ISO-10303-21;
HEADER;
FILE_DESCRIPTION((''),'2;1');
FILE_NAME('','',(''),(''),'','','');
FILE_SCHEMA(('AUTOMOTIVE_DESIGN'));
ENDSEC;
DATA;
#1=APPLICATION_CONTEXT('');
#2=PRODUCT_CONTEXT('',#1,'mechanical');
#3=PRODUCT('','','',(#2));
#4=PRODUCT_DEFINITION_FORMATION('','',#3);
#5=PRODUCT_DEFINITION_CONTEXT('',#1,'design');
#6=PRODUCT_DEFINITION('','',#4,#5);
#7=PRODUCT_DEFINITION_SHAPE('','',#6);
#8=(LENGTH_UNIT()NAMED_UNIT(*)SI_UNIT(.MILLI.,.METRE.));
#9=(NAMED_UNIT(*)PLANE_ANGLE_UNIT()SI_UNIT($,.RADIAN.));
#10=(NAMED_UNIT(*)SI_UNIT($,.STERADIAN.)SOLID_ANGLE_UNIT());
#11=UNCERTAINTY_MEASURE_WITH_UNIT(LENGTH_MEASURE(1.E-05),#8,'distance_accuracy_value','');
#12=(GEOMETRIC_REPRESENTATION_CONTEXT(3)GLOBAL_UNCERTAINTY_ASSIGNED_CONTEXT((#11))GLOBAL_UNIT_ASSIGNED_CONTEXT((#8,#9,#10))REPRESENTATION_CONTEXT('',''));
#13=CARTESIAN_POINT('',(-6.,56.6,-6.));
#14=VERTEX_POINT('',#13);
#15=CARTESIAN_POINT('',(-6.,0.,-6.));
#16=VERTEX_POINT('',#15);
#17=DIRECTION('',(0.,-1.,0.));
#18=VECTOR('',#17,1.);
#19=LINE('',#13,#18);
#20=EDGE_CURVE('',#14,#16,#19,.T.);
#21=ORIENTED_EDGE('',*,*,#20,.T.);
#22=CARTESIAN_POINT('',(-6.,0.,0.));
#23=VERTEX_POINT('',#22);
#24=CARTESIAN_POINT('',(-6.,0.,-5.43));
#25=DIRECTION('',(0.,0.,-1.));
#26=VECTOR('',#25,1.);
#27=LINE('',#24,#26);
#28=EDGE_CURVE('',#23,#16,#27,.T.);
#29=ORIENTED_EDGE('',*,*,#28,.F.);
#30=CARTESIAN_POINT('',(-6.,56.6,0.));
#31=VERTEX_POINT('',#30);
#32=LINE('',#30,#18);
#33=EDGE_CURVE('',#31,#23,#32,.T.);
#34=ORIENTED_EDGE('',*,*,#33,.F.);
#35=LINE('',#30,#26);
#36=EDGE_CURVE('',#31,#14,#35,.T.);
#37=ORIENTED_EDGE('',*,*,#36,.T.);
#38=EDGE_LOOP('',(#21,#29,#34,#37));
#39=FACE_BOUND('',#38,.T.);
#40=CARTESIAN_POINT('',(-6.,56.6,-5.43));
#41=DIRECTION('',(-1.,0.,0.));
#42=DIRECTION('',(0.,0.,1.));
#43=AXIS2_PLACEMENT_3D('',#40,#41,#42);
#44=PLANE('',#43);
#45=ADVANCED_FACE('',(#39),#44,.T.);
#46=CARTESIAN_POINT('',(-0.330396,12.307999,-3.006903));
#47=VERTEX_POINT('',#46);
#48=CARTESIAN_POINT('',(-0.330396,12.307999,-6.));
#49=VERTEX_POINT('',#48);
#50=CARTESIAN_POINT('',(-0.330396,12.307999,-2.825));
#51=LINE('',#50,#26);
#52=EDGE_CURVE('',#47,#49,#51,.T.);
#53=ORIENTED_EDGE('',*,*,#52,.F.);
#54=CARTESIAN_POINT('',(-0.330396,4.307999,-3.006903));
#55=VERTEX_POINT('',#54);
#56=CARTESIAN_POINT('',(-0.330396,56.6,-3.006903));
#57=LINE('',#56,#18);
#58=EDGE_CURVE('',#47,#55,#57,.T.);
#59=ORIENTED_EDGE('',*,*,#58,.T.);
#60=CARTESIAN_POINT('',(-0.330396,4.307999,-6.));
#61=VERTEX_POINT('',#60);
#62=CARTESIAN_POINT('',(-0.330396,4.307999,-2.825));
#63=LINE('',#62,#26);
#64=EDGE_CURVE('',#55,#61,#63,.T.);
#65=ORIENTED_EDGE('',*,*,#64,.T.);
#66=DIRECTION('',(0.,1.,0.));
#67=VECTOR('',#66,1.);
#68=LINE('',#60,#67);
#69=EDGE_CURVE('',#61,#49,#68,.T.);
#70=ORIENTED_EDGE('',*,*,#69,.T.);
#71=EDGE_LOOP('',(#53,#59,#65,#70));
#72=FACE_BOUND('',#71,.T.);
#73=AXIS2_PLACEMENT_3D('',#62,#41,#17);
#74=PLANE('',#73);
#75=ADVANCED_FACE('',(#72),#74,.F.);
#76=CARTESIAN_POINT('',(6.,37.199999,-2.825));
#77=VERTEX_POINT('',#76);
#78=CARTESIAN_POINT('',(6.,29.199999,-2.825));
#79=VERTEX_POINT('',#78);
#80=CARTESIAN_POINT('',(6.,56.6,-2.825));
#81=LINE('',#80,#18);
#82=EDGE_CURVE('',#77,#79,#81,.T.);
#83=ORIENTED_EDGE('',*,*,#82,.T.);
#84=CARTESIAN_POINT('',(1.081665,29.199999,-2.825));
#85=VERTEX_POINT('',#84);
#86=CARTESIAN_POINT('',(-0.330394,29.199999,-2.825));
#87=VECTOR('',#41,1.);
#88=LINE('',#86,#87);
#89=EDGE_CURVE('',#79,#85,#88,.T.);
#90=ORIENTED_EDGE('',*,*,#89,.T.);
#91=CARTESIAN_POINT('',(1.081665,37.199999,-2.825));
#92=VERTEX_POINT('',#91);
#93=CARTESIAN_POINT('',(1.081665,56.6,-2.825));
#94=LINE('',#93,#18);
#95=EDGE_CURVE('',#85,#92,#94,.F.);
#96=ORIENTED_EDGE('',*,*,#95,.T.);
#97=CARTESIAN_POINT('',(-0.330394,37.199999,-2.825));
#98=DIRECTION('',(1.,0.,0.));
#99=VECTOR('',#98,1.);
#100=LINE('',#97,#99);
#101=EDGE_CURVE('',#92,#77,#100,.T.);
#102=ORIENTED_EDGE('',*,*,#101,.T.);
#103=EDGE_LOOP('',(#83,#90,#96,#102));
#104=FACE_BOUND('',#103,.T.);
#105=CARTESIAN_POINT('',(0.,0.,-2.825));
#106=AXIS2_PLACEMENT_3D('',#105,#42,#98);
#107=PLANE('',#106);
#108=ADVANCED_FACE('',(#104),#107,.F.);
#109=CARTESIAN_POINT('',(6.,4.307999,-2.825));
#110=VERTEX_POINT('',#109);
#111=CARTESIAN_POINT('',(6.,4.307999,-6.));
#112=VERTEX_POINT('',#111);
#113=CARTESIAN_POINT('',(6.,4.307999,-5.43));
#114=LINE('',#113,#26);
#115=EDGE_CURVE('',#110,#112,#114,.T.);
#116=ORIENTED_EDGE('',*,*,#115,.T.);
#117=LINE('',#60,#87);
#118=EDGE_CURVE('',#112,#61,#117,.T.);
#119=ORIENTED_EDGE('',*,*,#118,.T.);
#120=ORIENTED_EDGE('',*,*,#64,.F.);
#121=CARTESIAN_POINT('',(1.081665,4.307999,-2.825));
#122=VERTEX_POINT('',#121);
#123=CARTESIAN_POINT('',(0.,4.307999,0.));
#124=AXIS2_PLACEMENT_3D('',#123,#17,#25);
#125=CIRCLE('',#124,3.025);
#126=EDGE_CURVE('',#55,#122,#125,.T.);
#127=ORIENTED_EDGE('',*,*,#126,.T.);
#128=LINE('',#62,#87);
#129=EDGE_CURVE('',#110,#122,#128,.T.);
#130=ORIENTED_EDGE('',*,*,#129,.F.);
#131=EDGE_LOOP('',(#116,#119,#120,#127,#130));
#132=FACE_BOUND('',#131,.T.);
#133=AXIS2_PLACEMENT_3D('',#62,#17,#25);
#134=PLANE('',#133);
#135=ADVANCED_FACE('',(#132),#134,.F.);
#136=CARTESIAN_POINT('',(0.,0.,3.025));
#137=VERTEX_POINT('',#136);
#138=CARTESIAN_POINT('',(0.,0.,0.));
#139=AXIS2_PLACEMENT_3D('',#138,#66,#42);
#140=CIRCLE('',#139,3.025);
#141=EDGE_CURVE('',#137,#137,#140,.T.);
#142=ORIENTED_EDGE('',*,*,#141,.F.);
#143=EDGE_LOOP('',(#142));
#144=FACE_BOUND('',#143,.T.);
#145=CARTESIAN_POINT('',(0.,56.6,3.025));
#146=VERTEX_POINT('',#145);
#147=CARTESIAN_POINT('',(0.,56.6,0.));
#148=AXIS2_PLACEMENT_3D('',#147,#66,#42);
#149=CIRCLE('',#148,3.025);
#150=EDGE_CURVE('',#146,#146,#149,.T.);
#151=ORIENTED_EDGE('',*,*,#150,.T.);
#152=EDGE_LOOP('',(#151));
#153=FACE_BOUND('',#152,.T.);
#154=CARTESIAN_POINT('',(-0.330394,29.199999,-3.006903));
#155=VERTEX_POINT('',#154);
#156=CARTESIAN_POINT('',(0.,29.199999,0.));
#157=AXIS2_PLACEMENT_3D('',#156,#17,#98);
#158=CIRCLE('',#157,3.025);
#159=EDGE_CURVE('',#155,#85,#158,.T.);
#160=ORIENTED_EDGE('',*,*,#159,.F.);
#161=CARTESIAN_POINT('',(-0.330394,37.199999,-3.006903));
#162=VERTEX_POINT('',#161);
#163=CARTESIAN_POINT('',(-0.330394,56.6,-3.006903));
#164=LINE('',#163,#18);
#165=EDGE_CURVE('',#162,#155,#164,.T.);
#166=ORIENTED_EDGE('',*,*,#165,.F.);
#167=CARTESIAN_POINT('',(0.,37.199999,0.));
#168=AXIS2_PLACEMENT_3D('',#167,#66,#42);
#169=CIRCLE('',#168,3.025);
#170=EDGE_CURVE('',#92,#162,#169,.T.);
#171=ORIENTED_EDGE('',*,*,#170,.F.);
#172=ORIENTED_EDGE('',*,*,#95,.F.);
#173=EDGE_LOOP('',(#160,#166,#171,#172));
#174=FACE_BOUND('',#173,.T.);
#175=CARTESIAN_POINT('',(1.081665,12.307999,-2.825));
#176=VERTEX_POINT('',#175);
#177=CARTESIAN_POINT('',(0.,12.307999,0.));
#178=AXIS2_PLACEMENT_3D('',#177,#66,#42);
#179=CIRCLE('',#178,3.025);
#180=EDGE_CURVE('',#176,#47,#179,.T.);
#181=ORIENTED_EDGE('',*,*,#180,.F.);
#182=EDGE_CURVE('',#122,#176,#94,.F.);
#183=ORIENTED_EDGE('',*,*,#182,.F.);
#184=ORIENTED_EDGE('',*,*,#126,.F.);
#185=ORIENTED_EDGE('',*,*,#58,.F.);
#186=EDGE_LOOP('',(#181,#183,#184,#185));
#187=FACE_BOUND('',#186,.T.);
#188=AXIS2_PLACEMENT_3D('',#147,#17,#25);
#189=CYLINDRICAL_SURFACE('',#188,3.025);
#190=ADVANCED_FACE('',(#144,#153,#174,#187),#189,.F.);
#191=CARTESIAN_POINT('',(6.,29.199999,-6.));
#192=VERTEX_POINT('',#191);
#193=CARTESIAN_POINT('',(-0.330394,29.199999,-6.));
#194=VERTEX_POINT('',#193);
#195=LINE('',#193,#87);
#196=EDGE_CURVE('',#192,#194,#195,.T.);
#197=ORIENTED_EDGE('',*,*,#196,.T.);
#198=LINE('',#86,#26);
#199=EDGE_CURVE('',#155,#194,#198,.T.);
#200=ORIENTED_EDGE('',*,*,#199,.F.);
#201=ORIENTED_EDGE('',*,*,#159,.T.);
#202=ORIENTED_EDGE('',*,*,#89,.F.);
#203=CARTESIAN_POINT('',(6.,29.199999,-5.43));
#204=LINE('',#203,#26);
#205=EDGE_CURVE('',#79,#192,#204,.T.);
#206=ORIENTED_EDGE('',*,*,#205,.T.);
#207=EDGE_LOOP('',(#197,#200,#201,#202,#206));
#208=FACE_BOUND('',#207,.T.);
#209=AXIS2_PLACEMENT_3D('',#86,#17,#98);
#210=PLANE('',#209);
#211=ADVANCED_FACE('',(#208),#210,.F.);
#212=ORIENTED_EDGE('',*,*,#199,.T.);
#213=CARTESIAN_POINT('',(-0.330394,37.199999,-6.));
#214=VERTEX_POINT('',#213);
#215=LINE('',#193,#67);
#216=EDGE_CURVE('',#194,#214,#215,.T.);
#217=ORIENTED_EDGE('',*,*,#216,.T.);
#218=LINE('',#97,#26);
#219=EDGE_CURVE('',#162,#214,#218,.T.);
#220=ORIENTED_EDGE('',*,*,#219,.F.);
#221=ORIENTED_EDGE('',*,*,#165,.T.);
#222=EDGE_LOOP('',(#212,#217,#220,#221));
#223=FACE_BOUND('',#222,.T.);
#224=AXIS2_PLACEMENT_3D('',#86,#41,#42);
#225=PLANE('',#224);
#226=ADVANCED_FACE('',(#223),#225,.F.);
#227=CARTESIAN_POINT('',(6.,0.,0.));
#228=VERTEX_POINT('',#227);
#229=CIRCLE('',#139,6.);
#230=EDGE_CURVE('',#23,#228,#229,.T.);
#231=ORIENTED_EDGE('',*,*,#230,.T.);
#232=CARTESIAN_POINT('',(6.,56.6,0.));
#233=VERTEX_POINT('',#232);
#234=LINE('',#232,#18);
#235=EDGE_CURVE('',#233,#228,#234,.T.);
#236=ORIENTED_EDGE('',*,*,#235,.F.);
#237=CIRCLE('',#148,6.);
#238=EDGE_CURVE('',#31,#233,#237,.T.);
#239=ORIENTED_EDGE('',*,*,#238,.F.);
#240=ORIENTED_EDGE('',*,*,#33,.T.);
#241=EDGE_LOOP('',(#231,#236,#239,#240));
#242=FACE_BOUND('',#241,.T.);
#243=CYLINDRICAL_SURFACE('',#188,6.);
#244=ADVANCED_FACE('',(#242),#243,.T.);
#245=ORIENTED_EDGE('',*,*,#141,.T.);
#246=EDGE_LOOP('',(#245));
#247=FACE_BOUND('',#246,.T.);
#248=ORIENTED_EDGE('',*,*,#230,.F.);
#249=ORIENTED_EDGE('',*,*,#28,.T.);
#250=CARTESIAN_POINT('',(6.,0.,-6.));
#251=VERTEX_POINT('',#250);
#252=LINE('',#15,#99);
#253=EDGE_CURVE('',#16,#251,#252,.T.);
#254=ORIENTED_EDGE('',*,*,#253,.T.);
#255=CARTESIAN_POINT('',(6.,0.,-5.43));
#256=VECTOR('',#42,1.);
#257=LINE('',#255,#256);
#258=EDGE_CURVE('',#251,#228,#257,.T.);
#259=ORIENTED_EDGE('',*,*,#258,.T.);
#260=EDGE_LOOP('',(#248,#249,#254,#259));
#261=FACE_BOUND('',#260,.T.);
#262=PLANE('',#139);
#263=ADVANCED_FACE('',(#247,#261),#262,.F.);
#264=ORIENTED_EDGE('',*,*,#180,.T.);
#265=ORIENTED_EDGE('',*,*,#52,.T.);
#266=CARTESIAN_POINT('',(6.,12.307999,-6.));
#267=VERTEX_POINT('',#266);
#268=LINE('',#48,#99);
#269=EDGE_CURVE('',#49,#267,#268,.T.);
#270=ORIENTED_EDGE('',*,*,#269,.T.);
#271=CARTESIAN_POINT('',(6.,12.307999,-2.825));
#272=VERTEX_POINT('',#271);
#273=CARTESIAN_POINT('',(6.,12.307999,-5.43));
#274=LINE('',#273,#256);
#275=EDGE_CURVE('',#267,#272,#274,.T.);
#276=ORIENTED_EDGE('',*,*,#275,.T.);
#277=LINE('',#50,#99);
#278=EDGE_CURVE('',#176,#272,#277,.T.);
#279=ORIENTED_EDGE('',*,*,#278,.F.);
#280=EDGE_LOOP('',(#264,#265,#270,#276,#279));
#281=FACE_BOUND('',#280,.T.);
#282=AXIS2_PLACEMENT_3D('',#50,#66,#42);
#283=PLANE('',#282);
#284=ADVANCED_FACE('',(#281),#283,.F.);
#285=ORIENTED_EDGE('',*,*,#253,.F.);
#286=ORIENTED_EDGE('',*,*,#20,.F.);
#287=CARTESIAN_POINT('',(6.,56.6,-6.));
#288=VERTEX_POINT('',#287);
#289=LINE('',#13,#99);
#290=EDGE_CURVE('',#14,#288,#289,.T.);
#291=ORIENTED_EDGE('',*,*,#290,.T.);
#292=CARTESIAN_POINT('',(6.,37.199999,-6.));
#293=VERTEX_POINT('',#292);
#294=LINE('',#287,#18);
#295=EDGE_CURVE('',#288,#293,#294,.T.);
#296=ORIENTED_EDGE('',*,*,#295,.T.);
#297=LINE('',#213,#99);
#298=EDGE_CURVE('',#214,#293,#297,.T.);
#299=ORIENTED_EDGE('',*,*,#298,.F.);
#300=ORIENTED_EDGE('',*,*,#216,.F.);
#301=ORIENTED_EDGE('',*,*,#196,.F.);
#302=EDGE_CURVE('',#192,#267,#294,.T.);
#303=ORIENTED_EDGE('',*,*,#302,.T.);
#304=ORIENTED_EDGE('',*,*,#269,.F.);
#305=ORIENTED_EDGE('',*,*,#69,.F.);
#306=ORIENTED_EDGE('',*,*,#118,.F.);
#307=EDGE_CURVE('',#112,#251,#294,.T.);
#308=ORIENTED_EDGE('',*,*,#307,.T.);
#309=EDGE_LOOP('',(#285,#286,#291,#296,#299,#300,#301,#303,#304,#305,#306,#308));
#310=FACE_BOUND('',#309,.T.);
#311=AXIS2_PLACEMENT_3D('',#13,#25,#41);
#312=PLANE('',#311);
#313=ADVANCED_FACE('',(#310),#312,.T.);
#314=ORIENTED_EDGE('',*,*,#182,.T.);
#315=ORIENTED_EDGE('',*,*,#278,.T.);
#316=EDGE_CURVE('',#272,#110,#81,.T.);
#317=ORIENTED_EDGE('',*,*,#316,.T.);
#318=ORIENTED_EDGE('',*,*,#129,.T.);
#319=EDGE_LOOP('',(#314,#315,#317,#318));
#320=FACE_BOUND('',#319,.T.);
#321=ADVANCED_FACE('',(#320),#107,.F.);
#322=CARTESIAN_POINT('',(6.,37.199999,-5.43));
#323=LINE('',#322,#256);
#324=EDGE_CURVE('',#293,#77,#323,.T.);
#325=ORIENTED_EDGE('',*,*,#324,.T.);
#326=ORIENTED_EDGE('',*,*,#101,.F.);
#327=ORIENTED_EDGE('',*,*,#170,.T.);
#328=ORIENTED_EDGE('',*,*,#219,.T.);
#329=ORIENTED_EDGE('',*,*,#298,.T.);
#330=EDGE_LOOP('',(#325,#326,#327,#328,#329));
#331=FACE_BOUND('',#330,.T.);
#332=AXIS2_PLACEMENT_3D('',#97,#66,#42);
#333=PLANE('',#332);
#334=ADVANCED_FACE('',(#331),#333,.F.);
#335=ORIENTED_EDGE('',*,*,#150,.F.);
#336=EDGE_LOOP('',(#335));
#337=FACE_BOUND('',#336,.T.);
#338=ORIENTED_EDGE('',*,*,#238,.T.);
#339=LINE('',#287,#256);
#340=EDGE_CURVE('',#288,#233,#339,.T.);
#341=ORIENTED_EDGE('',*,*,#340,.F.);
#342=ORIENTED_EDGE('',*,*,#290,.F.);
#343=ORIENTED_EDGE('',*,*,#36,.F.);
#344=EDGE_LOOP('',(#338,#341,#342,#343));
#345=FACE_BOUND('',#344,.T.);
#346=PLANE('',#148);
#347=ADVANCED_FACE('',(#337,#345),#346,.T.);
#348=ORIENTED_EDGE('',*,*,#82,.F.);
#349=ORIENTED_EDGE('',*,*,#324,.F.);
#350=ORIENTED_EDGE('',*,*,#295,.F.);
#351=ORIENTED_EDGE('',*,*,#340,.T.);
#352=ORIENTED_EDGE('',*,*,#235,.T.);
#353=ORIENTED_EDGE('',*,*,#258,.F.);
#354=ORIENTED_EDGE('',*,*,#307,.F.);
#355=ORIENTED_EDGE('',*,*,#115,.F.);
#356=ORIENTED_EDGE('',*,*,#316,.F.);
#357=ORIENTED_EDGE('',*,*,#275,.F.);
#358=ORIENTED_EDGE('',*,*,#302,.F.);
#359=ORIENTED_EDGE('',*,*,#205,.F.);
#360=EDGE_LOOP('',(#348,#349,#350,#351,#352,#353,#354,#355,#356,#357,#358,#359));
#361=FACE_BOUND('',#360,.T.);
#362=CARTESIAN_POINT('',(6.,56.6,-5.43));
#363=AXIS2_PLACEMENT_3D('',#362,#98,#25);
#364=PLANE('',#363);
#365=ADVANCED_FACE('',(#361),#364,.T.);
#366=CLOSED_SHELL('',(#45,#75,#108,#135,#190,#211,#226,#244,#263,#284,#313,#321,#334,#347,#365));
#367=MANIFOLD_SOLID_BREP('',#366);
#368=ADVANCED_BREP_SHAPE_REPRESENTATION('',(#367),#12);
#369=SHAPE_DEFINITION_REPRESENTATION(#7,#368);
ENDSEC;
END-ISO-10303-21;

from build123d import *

# Parameters (mm, degrees)
SKETCH1_R           = 3.025
BOSS_EXTRUDE1_DEPTH = 56.6
SKETCH2_W           = 8
SKETCH2_H           = 8
CUT_EXTRUDE1_DEPTH  = 3.175


with BuildPart() as part:
    # Sketch1 → Boss-Extrude1 (new body)
    with BuildSketch(Plane(origin=(0, 0, 0), x_dir=(1, 0, 0), z_dir=(0, 1, 0))):
        with BuildLine():
            Line((-6, 0), (-6, 5.43))
            Line((-6, 5.43), (-6, 6))
            Line((-6, 6), (6, 6))
            Line((6, 6), (6, 5.43))
            Line((6, 5.43), (6, 0))
            ThreePointArc((6, 0), (0, -6), (-6, 0))
        make_face()
        with Locations(Location((0, 0, 0), (0, 0, 90))):
            Circle(SKETCH1_R, mode=Mode.SUBTRACT)
    extrude(amount=BOSS_EXTRUDE1_DEPTH)

    # Sketch2 → Cut-Extrude1 (cut)
    with BuildSketch(Plane(origin=(0, 0, -6), x_dir=(-1, 0, 0), z_dir=(0, 0, -1))):
        with Locations((-3.669604029, 8.307999034)):
            Rectangle(SKETCH2_W, SKETCH2_H)
        with Locations((-3.669606205, 33.199999034)):
            Rectangle(SKETCH2_W, SKETCH2_H)
    extrude(amount=-CUT_EXTRUDE1_DEPTH, mode=Mode.SUBTRACT)


solid = part.part
